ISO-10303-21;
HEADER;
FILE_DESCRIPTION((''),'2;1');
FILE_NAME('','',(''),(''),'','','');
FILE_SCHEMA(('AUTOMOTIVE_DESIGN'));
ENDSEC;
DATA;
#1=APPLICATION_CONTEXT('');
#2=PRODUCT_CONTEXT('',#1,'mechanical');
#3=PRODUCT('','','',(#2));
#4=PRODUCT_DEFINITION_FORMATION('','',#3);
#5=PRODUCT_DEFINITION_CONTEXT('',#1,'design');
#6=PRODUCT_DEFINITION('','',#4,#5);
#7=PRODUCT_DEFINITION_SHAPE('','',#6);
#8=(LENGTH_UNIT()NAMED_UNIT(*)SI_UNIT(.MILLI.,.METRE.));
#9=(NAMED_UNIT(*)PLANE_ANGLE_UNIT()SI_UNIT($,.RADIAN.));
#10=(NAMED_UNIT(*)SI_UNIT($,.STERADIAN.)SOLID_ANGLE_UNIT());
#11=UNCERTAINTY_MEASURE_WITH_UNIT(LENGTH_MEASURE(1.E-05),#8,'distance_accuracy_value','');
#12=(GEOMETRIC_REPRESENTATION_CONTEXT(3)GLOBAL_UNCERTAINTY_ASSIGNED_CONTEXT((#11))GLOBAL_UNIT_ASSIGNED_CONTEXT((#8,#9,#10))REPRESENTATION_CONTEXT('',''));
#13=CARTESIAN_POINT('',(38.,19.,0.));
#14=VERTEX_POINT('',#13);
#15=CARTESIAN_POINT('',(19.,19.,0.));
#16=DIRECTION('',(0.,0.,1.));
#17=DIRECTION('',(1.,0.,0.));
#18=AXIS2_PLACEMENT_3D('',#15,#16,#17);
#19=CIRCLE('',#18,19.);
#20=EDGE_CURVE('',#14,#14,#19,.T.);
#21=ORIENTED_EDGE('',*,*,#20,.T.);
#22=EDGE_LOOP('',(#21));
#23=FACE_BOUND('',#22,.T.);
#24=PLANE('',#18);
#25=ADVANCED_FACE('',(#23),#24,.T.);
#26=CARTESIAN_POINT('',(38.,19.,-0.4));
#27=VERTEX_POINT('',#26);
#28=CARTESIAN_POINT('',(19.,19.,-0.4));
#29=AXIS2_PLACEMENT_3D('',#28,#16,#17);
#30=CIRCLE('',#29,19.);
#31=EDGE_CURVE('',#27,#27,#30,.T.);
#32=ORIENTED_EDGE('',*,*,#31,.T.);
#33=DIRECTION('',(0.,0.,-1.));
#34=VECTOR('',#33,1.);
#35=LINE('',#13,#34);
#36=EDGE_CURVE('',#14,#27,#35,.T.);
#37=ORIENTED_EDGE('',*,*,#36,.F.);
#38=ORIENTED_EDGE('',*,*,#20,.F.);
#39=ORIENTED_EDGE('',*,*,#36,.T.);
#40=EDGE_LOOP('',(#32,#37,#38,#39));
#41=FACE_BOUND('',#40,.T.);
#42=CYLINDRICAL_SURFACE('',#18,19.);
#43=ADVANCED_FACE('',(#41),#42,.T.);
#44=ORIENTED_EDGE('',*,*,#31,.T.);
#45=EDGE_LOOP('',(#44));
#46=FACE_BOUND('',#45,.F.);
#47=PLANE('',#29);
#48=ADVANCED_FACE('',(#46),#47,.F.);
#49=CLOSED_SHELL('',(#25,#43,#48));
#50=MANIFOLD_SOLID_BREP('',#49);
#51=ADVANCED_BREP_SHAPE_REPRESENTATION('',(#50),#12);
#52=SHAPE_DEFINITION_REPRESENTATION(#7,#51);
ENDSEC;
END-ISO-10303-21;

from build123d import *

# Parameters (mm, degrees)
SKETCH_R  = 19
PAD_DEPTH = 0.4


with BuildPart() as part:
    # Sketch → Pad (new body)
    with BuildSketch(Plane.XY):
        with Locations((19, 19)):
            Circle(SKETCH_R)
    extrude(amount=-PAD_DEPTH)


solid = part.part
